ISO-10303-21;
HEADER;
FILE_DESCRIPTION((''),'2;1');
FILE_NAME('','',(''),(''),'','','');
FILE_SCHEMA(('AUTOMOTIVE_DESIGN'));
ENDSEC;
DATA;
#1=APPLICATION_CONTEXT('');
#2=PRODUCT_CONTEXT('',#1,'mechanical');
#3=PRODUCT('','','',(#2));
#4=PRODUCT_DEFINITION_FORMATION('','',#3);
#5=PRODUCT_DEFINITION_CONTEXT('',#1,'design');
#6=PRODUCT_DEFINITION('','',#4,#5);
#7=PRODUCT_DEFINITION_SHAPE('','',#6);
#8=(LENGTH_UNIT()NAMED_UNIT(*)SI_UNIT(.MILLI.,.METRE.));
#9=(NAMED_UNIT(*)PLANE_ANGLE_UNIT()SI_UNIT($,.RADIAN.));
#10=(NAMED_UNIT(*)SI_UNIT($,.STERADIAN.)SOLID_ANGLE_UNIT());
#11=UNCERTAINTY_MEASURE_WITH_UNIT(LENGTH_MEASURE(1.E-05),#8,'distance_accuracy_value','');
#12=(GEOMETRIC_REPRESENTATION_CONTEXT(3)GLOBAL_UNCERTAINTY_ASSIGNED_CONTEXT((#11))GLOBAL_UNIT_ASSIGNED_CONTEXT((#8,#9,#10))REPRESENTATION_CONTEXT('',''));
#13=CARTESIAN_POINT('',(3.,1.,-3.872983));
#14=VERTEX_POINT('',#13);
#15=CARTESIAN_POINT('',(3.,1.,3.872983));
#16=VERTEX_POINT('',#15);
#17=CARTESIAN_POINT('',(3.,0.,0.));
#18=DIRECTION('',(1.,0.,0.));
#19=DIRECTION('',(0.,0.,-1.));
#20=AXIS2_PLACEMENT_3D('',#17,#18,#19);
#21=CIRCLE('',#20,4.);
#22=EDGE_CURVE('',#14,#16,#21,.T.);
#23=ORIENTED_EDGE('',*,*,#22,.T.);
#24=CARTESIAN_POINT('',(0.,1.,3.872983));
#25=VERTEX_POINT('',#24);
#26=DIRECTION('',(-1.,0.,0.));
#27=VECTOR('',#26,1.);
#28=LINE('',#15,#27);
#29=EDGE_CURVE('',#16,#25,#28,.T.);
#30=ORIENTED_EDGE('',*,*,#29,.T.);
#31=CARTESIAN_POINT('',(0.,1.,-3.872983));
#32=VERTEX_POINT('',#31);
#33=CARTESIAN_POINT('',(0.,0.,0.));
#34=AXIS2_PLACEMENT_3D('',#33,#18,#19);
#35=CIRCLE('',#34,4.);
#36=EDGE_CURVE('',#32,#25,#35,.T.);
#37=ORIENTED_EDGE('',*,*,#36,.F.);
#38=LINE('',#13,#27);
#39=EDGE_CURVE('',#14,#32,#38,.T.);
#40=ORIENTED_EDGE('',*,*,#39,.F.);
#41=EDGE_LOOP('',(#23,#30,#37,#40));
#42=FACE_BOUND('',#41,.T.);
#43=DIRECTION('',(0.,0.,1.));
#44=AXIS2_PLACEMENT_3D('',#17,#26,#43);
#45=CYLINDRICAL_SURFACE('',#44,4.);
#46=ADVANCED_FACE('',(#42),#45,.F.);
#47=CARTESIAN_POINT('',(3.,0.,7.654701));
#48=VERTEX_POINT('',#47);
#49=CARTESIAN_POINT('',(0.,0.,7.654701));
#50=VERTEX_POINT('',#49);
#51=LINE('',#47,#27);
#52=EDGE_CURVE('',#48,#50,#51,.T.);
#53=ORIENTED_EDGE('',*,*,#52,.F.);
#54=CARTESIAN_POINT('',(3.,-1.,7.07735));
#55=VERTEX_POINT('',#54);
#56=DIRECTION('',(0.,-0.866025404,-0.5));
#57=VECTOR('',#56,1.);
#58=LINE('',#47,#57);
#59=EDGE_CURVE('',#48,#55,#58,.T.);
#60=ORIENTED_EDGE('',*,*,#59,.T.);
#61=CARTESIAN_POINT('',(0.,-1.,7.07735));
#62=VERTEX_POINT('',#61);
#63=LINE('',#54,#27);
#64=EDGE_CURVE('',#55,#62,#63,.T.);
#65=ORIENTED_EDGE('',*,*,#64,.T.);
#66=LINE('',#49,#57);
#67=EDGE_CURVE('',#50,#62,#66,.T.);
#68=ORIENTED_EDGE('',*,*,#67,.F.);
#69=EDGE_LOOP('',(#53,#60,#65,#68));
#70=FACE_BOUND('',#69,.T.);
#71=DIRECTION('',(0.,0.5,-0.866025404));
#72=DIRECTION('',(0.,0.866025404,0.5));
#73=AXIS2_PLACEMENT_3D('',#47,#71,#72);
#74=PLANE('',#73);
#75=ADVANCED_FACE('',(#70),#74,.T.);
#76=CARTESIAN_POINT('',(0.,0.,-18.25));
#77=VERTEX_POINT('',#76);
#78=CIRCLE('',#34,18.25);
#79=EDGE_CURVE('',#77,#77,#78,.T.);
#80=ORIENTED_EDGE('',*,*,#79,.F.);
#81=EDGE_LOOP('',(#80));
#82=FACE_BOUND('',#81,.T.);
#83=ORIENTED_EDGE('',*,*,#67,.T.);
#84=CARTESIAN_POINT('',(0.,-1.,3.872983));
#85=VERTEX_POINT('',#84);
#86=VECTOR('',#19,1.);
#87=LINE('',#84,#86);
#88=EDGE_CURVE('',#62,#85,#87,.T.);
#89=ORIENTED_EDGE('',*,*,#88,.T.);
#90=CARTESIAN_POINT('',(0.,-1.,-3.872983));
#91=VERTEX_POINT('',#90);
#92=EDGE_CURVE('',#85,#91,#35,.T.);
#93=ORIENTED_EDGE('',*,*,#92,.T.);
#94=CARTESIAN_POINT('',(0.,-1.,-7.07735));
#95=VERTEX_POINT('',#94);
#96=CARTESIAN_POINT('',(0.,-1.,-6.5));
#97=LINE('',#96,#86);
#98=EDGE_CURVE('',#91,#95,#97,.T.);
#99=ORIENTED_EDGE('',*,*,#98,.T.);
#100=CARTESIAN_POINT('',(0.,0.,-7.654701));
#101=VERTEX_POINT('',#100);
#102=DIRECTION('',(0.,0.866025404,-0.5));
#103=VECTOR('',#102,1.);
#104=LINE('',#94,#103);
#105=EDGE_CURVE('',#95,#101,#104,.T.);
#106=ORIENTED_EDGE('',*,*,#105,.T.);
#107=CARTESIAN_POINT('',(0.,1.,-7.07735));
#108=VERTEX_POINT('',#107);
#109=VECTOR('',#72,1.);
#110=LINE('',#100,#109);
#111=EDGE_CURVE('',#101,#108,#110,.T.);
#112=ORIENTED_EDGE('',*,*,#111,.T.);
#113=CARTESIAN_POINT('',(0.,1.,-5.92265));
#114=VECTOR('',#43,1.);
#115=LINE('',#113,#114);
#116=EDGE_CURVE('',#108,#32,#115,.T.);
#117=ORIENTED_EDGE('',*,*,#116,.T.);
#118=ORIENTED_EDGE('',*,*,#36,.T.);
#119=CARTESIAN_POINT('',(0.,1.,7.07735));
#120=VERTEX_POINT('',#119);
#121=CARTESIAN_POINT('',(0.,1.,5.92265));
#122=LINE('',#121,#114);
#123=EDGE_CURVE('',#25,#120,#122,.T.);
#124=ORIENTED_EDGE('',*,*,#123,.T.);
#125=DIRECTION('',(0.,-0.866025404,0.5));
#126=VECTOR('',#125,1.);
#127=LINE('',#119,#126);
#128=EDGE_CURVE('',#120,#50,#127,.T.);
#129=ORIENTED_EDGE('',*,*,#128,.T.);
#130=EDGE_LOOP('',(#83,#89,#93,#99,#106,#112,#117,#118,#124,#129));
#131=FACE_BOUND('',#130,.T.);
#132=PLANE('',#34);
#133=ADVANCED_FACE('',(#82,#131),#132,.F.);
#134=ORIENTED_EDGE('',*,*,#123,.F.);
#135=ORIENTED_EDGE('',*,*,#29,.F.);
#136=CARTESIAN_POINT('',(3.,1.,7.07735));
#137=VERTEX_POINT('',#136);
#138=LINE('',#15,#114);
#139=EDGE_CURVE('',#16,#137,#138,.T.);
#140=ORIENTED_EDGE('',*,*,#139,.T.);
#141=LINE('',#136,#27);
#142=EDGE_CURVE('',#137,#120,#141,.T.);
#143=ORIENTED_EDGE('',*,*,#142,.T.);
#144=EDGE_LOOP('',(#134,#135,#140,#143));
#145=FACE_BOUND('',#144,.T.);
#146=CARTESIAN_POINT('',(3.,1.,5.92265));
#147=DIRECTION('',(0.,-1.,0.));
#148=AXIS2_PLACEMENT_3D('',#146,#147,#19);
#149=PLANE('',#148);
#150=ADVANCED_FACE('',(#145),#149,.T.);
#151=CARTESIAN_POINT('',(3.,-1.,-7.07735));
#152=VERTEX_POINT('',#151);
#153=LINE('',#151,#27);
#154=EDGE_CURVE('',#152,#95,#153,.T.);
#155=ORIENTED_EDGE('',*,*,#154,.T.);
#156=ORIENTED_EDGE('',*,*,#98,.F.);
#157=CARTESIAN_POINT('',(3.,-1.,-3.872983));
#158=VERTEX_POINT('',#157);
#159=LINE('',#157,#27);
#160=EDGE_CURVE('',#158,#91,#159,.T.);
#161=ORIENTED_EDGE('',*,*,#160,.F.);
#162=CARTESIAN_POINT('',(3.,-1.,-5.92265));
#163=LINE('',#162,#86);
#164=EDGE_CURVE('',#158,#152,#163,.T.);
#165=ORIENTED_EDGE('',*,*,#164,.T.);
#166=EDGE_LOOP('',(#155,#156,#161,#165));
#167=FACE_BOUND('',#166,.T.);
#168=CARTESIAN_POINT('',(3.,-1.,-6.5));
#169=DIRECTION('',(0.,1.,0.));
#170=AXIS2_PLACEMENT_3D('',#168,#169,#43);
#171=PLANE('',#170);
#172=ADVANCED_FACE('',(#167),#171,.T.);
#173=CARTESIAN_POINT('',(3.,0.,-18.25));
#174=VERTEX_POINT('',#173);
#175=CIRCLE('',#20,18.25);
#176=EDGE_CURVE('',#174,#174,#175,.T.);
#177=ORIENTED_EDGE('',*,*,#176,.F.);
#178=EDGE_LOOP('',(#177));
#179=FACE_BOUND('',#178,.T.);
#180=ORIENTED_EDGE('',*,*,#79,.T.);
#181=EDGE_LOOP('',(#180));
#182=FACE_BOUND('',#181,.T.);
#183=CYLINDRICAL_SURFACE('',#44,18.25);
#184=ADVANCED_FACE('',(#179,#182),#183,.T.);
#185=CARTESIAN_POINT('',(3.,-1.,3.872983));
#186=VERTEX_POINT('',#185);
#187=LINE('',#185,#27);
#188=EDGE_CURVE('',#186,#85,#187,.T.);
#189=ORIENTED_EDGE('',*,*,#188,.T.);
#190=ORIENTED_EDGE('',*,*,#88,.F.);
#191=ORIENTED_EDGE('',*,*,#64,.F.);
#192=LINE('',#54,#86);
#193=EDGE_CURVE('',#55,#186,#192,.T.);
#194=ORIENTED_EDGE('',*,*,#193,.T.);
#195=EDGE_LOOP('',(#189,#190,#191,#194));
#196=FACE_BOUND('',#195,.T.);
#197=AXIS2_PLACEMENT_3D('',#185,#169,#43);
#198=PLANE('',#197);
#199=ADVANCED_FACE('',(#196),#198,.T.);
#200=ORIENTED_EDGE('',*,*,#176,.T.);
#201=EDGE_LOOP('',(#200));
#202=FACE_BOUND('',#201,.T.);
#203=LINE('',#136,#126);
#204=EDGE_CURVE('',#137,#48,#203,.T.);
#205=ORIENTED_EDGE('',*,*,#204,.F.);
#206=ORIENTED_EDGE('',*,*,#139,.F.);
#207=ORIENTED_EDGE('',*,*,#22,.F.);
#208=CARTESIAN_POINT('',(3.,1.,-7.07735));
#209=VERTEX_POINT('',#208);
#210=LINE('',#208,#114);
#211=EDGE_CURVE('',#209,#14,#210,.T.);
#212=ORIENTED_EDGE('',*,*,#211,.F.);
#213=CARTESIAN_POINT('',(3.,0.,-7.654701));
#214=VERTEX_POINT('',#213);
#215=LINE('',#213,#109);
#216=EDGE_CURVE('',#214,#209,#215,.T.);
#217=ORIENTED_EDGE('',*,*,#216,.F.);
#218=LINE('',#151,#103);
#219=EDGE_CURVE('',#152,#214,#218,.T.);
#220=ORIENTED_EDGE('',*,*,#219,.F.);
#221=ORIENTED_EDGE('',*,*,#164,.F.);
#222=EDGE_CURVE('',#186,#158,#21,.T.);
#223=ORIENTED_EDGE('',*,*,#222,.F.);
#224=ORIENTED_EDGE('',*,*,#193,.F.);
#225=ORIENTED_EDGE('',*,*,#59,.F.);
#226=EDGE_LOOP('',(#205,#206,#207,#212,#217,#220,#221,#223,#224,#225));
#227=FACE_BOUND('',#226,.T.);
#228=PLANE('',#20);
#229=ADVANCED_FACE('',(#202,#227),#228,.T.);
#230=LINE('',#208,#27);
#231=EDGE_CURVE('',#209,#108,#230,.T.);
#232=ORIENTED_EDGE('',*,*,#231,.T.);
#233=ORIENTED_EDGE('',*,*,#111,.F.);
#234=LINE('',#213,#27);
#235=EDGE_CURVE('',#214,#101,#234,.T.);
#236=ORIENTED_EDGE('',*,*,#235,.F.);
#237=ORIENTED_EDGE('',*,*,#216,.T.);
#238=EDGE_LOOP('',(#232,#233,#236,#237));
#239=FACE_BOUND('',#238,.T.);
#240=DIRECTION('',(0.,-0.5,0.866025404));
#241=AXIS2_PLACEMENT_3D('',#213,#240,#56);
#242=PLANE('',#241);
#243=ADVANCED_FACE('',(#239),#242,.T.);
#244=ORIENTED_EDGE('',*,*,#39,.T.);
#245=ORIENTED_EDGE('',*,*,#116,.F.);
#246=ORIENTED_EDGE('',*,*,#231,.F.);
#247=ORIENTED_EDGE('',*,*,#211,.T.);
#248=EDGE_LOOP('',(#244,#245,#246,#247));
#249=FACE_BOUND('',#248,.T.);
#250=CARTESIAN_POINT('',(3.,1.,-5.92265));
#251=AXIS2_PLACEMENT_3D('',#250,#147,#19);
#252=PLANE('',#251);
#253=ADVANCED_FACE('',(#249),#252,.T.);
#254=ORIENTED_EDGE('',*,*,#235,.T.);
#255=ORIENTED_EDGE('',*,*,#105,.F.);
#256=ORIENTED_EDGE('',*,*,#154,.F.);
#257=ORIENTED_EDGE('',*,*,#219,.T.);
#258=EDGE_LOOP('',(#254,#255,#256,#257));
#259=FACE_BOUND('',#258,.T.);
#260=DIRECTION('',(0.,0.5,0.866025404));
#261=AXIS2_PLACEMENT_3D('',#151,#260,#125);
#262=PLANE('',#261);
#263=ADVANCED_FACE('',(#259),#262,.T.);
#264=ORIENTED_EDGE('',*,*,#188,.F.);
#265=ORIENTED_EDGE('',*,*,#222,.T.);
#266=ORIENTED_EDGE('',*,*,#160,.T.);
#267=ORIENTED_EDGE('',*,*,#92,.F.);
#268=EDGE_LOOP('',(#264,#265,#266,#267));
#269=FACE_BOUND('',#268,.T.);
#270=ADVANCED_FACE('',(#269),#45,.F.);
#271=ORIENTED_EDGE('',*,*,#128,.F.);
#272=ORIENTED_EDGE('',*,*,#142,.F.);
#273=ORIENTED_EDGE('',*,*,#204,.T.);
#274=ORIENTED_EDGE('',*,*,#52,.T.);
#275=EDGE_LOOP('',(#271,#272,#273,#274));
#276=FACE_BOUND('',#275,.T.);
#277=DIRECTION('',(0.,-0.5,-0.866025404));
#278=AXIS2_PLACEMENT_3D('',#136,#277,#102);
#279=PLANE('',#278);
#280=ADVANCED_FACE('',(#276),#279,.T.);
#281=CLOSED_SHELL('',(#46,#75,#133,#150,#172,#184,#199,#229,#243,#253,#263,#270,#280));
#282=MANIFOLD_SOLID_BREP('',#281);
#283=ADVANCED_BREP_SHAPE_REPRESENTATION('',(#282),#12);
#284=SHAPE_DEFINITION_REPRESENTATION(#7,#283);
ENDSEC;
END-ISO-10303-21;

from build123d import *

# Parameters (mm, degrees)
SKETCH1_R           = 18.25
BOSS_EXTRUDE1_DEPTH = 3


with BuildPart() as part:
    # Sketch1 → Boss-Extrude1 (new body)
    with BuildSketch(Plane(origin=(0, 0, 0), x_dir=(0, 0, -1), z_dir=(1, 0, 0))):
        Circle(SKETCH1_R)
        with BuildLine():
            Line((5.922649731, 1), (3.872983346, 1))
            ThreePointArc((3.872983346, 1), (0, 4), (-3.872983346, 1))
            Line((-3.872983346, 1), (-5.922649731, 1))
            Line((-5.922649731, 1), (-7.077350269, 1))
            Line((-7.077350269, 1), (-7.654700538, 0))
            Line((-7.654700538, 0), (-7.077350269, -1))
            Line((-7.077350269, -1), (-5.922649731, -1))
            Line((-5.922649731, -1), (-3.872983346, -1))
            ThreePointArc((-3.872983346, -1), (0, -4), (3.872983346, -1))
            Line((3.872983346, -1), (5.922649731, -1))
            Line((5.922649731, -1), (6.5, -1))
            Line((6.5, -1), (7.077350269, -1))
            Line((7.077350269, -1), (7.654700538, 0))
            Line((7.654700538, 0), (7.077350269, 1))
            Line((7.077350269, 1), (6.5, 1))
            Line((6.5, 1), (5.922649731, 1))
        make_face(mode=Mode.SUBTRACT)
    extrude(amount=BOSS_EXTRUDE1_DEPTH)


solid = part.part
